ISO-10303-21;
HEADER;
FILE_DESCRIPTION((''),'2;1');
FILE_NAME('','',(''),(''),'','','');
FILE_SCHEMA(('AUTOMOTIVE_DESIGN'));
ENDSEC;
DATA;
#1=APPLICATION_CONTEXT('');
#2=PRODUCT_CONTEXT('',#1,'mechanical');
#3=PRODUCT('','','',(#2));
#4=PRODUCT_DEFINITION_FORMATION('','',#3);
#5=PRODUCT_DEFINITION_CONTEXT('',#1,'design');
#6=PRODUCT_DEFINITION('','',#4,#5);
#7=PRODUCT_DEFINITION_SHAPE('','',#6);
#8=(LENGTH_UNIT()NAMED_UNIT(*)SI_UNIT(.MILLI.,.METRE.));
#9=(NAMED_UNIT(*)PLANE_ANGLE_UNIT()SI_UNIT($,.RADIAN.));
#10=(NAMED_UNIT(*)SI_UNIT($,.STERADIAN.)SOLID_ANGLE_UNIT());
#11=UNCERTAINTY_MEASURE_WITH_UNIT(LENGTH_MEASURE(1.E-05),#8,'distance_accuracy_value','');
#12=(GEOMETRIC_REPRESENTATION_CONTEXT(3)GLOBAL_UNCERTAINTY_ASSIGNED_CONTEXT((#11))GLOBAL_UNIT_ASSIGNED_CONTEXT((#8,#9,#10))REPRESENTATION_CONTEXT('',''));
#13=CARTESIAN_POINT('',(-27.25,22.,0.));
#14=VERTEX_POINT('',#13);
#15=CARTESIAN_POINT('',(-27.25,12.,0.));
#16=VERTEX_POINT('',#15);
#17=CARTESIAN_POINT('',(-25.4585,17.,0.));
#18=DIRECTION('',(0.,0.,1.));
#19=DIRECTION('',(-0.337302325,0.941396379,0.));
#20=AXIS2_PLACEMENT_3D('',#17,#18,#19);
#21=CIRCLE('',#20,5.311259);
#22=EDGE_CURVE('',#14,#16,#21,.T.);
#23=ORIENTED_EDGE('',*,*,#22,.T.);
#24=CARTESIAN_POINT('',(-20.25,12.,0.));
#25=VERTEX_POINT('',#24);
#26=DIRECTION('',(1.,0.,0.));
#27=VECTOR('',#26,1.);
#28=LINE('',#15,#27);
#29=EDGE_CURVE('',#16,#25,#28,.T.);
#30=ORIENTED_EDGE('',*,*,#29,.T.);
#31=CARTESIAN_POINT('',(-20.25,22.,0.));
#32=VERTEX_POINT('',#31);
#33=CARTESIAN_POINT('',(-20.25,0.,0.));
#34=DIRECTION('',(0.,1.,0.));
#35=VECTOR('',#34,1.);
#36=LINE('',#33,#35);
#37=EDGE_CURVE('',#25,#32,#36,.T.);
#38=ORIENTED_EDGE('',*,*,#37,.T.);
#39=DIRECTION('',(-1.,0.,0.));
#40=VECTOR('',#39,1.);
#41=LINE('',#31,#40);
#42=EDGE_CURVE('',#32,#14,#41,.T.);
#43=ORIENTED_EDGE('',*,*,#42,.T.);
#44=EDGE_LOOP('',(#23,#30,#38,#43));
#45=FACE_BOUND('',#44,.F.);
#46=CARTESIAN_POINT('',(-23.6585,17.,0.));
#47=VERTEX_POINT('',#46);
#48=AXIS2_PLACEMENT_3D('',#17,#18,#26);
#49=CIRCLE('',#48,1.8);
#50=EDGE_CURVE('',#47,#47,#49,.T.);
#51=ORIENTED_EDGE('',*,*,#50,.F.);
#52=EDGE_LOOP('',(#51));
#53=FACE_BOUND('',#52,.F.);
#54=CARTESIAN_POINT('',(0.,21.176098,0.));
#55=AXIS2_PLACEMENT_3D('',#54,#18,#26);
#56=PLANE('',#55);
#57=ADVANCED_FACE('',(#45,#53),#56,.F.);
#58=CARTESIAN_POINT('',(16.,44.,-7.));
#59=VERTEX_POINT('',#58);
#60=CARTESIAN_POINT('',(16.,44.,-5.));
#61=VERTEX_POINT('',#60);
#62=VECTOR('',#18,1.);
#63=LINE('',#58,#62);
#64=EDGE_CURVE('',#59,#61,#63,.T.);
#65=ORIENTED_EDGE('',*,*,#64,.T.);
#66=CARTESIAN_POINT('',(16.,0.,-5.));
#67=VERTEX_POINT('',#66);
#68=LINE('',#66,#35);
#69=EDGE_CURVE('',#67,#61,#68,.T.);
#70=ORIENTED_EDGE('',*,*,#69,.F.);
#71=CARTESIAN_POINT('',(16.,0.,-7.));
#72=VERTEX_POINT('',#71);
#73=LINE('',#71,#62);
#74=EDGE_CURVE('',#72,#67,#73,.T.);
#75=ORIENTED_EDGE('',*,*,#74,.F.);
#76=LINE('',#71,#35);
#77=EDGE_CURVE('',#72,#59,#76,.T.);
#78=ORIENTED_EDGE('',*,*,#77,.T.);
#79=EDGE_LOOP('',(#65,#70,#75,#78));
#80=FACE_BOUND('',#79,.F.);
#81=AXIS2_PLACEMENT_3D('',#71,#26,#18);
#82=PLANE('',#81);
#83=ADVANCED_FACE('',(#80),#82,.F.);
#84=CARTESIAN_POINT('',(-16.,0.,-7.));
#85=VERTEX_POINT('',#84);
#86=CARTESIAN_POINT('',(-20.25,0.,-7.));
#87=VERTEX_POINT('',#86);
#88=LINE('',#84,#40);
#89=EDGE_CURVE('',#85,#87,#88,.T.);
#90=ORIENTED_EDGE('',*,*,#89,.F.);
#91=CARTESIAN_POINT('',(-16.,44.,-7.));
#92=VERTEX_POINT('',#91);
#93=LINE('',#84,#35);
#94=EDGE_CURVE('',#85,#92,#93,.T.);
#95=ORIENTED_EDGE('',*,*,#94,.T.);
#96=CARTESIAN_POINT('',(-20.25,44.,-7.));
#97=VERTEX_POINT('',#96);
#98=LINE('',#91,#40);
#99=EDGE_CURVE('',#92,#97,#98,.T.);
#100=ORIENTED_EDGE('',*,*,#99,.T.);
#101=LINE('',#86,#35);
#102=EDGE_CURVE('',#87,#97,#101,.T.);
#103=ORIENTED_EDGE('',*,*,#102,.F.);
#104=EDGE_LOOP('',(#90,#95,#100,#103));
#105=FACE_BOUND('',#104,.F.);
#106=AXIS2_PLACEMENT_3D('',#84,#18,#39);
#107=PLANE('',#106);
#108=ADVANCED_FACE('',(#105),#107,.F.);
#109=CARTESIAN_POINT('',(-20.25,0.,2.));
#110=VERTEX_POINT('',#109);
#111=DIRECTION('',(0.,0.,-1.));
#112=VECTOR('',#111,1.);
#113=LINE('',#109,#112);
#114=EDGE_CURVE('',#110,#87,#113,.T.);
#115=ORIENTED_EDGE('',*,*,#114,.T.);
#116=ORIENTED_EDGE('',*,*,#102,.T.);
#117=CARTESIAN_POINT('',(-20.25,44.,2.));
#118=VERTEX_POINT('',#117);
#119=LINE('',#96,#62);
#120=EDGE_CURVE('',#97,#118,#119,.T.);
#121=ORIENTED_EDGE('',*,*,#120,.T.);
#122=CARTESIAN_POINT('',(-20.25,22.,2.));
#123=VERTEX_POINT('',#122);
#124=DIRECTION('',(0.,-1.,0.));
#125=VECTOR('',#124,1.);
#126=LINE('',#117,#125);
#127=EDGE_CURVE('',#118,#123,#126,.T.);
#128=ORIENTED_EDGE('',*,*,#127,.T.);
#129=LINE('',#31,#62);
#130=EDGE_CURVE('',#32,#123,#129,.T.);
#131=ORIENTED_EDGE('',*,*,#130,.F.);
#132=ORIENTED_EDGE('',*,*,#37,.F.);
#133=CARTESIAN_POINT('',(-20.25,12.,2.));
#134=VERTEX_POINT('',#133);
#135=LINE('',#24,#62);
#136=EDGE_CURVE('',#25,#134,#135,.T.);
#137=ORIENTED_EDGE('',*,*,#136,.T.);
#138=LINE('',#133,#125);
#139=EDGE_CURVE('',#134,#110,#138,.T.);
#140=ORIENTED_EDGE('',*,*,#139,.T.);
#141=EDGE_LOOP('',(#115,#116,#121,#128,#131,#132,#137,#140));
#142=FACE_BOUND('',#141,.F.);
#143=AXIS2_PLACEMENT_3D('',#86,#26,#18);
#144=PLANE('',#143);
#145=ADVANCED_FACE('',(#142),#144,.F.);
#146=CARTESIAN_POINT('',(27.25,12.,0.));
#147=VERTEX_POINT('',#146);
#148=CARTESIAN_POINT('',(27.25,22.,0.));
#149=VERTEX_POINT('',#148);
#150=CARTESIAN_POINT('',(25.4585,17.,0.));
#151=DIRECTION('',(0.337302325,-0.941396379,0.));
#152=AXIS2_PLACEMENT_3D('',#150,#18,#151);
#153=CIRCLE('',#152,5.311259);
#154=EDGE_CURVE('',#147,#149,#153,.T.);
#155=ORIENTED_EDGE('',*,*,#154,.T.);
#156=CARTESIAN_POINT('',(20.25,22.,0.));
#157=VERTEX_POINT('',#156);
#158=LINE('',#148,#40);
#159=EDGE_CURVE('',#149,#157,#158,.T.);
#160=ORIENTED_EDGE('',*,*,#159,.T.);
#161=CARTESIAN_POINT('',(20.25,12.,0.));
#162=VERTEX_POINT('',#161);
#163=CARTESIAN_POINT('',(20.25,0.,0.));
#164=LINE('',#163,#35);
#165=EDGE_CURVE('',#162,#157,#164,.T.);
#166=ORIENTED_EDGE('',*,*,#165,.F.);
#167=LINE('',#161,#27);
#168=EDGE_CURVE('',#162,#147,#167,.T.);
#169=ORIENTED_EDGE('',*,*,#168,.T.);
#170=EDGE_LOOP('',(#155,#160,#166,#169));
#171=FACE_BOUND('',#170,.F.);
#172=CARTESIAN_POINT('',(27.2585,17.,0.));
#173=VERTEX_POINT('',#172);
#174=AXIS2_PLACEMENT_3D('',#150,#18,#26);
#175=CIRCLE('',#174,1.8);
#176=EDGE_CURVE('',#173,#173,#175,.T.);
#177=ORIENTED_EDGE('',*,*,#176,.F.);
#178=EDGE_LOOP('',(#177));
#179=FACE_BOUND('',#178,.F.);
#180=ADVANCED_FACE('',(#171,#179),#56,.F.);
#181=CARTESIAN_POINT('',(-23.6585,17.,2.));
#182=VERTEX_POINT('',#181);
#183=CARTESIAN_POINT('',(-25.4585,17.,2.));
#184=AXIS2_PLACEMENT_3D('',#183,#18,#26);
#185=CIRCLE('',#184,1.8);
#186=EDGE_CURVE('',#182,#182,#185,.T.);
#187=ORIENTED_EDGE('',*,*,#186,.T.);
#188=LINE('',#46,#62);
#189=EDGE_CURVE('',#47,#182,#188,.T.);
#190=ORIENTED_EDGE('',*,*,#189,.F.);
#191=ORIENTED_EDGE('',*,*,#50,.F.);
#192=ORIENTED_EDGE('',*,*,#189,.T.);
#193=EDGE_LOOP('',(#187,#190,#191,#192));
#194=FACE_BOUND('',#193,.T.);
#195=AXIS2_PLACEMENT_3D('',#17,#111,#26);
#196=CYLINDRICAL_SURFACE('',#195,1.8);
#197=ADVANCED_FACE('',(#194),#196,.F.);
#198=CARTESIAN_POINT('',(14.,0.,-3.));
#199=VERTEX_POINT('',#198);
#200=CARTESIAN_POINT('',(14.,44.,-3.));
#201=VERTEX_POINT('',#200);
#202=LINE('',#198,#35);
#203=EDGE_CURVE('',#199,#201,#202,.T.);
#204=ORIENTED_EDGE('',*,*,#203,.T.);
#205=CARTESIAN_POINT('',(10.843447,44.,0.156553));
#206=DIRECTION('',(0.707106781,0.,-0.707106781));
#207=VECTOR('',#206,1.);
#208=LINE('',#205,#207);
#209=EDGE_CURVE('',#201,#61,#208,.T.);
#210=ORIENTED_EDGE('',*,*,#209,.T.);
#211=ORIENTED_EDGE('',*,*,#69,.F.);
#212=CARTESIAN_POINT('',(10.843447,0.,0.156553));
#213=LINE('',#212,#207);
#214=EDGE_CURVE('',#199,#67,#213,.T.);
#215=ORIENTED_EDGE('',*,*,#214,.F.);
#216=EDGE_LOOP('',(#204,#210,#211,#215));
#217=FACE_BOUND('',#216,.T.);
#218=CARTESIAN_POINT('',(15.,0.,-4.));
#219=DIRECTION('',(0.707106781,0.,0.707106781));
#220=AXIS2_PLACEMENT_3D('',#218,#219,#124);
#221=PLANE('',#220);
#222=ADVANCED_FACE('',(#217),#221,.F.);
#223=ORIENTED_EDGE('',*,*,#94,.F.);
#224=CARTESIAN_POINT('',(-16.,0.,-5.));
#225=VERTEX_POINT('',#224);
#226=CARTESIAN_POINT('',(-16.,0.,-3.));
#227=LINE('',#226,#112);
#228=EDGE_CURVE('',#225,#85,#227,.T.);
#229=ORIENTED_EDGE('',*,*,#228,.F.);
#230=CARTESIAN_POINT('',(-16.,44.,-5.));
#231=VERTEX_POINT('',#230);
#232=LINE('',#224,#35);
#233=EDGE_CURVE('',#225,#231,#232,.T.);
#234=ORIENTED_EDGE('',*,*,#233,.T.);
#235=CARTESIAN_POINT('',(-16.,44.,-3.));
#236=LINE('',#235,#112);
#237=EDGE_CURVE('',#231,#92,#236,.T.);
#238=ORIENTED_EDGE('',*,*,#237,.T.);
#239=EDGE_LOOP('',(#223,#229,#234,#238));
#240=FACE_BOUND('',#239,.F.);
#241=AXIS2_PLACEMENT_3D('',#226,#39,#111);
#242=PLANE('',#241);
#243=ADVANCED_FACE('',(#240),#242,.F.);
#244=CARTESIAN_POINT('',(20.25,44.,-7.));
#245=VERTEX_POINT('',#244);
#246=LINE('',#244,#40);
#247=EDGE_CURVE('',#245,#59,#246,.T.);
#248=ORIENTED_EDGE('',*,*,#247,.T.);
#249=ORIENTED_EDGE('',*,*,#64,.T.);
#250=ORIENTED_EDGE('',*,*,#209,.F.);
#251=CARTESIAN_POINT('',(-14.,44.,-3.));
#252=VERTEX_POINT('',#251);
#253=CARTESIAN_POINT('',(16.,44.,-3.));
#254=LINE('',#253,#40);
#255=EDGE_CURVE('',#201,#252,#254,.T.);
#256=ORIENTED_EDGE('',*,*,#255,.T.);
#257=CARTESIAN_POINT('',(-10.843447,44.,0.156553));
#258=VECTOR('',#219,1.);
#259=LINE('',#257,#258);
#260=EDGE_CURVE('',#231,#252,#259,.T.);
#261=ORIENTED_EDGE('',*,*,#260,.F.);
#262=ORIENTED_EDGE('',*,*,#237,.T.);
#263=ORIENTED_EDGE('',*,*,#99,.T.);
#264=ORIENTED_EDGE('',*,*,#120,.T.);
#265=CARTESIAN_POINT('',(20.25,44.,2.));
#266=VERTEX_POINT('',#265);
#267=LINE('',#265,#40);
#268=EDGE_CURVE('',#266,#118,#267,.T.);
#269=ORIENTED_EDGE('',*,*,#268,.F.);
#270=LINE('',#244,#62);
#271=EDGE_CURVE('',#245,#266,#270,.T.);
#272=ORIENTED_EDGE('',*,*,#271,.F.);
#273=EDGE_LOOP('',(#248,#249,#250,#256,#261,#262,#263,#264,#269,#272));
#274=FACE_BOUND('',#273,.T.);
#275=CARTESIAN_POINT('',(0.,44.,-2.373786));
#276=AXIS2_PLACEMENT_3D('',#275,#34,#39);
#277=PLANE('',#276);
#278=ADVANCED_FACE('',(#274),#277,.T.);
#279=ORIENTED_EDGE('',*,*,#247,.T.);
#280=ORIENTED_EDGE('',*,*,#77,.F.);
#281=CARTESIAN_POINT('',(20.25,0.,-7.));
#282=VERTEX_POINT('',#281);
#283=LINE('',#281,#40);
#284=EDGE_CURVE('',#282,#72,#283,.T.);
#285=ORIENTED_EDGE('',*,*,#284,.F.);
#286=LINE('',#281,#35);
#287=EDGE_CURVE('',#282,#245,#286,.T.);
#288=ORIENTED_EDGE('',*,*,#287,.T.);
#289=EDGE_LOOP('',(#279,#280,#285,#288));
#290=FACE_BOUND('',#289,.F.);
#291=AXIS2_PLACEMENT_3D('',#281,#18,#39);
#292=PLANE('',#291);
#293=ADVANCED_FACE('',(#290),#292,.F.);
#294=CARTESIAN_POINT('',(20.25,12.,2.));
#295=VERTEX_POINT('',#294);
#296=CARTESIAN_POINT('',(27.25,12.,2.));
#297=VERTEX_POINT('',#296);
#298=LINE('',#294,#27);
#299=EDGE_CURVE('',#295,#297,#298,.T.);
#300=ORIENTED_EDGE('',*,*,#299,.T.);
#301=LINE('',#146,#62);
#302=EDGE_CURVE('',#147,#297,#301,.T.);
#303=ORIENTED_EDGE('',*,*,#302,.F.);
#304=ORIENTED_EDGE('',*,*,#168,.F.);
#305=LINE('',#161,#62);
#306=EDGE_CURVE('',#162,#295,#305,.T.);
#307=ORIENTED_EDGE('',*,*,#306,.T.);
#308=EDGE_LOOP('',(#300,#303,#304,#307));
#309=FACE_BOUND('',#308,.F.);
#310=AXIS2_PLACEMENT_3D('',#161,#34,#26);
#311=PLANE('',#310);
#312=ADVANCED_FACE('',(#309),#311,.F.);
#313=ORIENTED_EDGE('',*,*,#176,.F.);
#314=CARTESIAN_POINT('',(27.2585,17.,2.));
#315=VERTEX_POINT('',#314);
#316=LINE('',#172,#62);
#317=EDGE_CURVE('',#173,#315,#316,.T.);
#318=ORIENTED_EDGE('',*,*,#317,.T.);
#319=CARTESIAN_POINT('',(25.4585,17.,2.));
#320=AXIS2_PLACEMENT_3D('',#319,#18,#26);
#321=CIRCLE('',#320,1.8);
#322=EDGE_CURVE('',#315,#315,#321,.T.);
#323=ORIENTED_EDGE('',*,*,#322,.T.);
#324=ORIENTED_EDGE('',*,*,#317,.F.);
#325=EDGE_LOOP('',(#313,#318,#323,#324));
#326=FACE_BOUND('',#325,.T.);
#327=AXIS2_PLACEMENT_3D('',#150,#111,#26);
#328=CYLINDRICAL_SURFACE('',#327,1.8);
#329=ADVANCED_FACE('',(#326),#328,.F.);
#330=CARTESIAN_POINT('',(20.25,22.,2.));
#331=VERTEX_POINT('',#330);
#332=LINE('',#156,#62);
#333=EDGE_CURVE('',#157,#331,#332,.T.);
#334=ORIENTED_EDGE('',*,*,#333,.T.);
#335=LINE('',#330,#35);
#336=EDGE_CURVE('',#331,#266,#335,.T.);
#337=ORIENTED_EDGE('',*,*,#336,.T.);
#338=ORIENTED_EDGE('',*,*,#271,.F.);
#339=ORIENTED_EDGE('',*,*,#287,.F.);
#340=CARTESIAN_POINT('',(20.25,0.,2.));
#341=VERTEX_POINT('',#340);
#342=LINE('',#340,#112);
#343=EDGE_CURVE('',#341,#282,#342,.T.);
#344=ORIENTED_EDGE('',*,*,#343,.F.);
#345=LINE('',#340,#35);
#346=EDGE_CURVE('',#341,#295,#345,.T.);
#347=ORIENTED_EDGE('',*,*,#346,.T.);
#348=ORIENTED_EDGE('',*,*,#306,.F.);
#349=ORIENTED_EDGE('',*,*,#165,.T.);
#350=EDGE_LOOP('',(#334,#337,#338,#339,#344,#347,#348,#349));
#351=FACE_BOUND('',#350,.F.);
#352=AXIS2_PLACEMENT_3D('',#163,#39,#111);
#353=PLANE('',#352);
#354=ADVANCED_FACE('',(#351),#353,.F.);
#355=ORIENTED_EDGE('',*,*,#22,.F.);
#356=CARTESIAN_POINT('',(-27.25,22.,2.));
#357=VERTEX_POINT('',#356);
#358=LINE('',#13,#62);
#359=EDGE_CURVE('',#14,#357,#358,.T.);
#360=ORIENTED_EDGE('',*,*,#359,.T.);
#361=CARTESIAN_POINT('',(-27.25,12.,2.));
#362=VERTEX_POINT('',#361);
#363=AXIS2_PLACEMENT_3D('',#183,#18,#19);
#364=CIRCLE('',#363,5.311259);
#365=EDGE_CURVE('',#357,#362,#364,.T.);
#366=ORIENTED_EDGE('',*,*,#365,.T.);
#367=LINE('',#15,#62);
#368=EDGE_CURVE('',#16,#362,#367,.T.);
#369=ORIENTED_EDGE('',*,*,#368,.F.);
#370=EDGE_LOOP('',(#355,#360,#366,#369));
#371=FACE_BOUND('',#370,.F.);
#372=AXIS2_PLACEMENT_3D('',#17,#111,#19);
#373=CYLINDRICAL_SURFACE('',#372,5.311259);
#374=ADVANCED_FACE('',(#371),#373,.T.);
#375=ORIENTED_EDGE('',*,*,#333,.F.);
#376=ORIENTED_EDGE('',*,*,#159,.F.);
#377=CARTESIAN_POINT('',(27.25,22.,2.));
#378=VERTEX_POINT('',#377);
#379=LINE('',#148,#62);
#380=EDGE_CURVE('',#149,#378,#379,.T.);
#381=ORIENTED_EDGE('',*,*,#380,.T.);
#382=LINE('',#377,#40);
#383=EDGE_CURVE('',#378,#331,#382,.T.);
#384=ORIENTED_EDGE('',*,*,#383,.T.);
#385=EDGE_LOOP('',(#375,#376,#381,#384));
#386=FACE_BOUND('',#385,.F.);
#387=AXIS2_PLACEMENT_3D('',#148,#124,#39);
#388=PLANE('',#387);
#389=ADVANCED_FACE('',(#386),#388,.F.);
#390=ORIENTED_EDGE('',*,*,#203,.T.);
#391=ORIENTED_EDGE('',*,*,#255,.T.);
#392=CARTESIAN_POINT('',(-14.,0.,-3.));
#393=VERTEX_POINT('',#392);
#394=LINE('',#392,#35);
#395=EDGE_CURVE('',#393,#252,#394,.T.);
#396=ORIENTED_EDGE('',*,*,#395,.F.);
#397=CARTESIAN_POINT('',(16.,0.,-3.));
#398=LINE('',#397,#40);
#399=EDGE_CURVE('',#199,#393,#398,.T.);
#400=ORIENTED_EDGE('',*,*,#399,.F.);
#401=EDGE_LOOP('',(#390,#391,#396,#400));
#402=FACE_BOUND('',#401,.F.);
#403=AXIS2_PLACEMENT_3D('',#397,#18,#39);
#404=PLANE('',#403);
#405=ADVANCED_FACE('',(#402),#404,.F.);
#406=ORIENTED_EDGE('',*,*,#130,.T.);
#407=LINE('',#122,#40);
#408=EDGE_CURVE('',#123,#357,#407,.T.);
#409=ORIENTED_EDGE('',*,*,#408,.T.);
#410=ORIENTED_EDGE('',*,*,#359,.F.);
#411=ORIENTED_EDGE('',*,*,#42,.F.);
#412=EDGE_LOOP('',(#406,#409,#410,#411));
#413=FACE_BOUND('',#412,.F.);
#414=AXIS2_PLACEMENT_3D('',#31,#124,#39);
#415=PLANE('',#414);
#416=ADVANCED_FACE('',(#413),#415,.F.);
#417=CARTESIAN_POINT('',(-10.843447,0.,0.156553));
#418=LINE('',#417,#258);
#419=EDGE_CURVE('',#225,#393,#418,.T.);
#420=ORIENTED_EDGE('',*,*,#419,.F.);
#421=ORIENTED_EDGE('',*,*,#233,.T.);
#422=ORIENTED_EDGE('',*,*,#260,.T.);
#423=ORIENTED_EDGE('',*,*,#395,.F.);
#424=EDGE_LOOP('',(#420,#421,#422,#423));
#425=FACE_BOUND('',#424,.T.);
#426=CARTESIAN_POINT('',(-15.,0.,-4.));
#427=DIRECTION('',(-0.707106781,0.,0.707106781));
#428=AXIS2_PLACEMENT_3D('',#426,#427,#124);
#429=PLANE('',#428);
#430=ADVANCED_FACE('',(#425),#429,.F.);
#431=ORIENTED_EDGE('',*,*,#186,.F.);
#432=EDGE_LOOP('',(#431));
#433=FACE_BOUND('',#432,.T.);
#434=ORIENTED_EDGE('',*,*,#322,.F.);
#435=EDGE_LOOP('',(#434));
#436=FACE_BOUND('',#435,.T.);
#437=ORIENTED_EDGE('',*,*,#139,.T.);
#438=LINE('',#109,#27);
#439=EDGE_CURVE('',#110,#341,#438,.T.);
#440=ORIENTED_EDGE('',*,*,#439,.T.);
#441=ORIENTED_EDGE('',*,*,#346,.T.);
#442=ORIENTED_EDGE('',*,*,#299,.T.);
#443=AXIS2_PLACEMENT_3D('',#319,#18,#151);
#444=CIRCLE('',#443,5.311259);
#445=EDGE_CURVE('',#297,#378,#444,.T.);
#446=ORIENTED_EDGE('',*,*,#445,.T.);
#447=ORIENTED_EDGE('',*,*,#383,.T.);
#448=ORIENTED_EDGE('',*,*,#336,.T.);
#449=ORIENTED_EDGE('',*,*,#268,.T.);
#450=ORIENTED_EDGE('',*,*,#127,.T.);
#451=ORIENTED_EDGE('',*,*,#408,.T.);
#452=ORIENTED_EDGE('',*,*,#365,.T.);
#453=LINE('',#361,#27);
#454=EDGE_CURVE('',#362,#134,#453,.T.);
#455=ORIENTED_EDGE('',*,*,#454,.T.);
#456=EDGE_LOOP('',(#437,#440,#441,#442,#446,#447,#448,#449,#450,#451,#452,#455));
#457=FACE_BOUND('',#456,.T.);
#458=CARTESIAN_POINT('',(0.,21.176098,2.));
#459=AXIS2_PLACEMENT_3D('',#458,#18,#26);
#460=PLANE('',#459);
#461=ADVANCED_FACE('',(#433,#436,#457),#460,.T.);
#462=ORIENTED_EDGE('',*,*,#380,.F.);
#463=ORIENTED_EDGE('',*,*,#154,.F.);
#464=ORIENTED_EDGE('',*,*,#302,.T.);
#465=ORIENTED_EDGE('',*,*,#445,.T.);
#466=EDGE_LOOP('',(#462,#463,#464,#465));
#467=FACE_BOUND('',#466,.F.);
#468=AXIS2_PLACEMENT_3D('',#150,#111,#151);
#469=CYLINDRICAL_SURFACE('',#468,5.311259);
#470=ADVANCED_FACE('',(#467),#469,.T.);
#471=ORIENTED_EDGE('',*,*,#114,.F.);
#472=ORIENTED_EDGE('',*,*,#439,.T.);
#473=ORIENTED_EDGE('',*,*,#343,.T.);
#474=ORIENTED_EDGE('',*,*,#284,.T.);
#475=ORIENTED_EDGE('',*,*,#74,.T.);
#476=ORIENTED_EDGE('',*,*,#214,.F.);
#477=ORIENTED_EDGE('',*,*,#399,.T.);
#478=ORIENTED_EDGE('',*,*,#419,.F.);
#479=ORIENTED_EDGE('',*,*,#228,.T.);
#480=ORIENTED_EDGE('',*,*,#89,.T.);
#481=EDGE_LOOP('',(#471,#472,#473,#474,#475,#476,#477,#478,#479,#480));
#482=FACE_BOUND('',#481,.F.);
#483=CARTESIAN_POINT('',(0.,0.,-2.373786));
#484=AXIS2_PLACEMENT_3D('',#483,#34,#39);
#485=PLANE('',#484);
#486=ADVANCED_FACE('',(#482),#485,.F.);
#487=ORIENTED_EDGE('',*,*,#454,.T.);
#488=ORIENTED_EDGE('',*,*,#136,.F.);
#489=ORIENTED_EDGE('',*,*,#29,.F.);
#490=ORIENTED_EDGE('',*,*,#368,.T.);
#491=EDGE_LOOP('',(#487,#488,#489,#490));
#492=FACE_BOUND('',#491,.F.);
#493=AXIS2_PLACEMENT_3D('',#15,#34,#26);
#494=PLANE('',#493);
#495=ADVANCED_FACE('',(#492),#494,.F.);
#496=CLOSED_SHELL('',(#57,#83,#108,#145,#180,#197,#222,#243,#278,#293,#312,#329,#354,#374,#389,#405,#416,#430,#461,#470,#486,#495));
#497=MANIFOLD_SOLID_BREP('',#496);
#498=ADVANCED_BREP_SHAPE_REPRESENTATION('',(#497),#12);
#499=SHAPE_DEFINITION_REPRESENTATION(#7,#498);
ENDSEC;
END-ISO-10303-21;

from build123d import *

# Parameters (mm, degrees)
EXTRUDE001_DEPTH                     = 44
EXTRUDE001_ONTO_SKETCH001_ROLL_ANGLE = 90
SKETCH_R                             = 1.8
EXTRUDE_DEPTH                        = 2
CHAMFER_SIZE                         = 2


with BuildPart() as extrude001:
    # Sketch001 as drawn → Extrude001 (new)
    with BuildSketch(Plane.XY):
        Polygon((-20.25, 0), (20.25, 0), (20.25, -7), (16, -7), (16, -3), (-16, -3), (-16, -7), (-20.25, -7), align=None)
    extrude(amount=-EXTRUDE001_DEPTH)


with BuildPart() as extrude001_1:
    # Extrude001 onto Sketch001 roll: moved
    add(extrude001.part.rotate(Axis((0, 0, 0), (1, 0, 0)), EXTRUDE001_ONTO_SKETCH001_ROLL_ANGLE))


with BuildPart() as extrude001_2:
    # Extrude001 onto Sketch001 placement: moved
    add(extrude001_1.part)


with BuildPart() as chamfer_body:
    # Sketch → Extrude (new body)
    with BuildSketch(Plane.XY):
        with BuildLine():
            Line((-20.25, 44), (-20.25, 22))
            Line((-20.25, 22), (-27.25, 22))
            ThreePointArc((-27.25, 22), (-30.769759, 17), (-27.25, 12))
            Line((-27.25, 12), (-20.25, 12))
            Line((-20.25, 12), (-20.25, 0))
            Line((-20.25, 0), (20.25, 0))
            Line((20.25, 0), (20.25, 12))
            Line((20.25, 12), (27.25, 12))
            ThreePointArc((27.25, 12), (30.769759, 17), (27.25, 22))
            Line((27.25, 22), (20.25, 22))
            Line((20.25, 22), (20.25, 44))
            Line((20.25, 44), (-20.25, 44))
        make_face()
        with Locations((-25.4585, 17)):
            Circle(SKETCH_R, mode=Mode.SUBTRACT)
        with Locations((25.4585, 17)):
            Circle(SKETCH_R, mode=Mode.SUBTRACT)
    extrude(amount=EXTRUDE_DEPTH)

    # Fusion: union Extrude001
    add(extrude001_2.part)

    # Chamfer
    chamfer_edges = [chamfer_body.edges().sort_by_distance(p)[0] for p in [
        (-16, 22, -3),
        (16, 22, -3),
    ]]
    chamfer(chamfer_edges, length=CHAMFER_SIZE)


solid = chamfer_body.part
